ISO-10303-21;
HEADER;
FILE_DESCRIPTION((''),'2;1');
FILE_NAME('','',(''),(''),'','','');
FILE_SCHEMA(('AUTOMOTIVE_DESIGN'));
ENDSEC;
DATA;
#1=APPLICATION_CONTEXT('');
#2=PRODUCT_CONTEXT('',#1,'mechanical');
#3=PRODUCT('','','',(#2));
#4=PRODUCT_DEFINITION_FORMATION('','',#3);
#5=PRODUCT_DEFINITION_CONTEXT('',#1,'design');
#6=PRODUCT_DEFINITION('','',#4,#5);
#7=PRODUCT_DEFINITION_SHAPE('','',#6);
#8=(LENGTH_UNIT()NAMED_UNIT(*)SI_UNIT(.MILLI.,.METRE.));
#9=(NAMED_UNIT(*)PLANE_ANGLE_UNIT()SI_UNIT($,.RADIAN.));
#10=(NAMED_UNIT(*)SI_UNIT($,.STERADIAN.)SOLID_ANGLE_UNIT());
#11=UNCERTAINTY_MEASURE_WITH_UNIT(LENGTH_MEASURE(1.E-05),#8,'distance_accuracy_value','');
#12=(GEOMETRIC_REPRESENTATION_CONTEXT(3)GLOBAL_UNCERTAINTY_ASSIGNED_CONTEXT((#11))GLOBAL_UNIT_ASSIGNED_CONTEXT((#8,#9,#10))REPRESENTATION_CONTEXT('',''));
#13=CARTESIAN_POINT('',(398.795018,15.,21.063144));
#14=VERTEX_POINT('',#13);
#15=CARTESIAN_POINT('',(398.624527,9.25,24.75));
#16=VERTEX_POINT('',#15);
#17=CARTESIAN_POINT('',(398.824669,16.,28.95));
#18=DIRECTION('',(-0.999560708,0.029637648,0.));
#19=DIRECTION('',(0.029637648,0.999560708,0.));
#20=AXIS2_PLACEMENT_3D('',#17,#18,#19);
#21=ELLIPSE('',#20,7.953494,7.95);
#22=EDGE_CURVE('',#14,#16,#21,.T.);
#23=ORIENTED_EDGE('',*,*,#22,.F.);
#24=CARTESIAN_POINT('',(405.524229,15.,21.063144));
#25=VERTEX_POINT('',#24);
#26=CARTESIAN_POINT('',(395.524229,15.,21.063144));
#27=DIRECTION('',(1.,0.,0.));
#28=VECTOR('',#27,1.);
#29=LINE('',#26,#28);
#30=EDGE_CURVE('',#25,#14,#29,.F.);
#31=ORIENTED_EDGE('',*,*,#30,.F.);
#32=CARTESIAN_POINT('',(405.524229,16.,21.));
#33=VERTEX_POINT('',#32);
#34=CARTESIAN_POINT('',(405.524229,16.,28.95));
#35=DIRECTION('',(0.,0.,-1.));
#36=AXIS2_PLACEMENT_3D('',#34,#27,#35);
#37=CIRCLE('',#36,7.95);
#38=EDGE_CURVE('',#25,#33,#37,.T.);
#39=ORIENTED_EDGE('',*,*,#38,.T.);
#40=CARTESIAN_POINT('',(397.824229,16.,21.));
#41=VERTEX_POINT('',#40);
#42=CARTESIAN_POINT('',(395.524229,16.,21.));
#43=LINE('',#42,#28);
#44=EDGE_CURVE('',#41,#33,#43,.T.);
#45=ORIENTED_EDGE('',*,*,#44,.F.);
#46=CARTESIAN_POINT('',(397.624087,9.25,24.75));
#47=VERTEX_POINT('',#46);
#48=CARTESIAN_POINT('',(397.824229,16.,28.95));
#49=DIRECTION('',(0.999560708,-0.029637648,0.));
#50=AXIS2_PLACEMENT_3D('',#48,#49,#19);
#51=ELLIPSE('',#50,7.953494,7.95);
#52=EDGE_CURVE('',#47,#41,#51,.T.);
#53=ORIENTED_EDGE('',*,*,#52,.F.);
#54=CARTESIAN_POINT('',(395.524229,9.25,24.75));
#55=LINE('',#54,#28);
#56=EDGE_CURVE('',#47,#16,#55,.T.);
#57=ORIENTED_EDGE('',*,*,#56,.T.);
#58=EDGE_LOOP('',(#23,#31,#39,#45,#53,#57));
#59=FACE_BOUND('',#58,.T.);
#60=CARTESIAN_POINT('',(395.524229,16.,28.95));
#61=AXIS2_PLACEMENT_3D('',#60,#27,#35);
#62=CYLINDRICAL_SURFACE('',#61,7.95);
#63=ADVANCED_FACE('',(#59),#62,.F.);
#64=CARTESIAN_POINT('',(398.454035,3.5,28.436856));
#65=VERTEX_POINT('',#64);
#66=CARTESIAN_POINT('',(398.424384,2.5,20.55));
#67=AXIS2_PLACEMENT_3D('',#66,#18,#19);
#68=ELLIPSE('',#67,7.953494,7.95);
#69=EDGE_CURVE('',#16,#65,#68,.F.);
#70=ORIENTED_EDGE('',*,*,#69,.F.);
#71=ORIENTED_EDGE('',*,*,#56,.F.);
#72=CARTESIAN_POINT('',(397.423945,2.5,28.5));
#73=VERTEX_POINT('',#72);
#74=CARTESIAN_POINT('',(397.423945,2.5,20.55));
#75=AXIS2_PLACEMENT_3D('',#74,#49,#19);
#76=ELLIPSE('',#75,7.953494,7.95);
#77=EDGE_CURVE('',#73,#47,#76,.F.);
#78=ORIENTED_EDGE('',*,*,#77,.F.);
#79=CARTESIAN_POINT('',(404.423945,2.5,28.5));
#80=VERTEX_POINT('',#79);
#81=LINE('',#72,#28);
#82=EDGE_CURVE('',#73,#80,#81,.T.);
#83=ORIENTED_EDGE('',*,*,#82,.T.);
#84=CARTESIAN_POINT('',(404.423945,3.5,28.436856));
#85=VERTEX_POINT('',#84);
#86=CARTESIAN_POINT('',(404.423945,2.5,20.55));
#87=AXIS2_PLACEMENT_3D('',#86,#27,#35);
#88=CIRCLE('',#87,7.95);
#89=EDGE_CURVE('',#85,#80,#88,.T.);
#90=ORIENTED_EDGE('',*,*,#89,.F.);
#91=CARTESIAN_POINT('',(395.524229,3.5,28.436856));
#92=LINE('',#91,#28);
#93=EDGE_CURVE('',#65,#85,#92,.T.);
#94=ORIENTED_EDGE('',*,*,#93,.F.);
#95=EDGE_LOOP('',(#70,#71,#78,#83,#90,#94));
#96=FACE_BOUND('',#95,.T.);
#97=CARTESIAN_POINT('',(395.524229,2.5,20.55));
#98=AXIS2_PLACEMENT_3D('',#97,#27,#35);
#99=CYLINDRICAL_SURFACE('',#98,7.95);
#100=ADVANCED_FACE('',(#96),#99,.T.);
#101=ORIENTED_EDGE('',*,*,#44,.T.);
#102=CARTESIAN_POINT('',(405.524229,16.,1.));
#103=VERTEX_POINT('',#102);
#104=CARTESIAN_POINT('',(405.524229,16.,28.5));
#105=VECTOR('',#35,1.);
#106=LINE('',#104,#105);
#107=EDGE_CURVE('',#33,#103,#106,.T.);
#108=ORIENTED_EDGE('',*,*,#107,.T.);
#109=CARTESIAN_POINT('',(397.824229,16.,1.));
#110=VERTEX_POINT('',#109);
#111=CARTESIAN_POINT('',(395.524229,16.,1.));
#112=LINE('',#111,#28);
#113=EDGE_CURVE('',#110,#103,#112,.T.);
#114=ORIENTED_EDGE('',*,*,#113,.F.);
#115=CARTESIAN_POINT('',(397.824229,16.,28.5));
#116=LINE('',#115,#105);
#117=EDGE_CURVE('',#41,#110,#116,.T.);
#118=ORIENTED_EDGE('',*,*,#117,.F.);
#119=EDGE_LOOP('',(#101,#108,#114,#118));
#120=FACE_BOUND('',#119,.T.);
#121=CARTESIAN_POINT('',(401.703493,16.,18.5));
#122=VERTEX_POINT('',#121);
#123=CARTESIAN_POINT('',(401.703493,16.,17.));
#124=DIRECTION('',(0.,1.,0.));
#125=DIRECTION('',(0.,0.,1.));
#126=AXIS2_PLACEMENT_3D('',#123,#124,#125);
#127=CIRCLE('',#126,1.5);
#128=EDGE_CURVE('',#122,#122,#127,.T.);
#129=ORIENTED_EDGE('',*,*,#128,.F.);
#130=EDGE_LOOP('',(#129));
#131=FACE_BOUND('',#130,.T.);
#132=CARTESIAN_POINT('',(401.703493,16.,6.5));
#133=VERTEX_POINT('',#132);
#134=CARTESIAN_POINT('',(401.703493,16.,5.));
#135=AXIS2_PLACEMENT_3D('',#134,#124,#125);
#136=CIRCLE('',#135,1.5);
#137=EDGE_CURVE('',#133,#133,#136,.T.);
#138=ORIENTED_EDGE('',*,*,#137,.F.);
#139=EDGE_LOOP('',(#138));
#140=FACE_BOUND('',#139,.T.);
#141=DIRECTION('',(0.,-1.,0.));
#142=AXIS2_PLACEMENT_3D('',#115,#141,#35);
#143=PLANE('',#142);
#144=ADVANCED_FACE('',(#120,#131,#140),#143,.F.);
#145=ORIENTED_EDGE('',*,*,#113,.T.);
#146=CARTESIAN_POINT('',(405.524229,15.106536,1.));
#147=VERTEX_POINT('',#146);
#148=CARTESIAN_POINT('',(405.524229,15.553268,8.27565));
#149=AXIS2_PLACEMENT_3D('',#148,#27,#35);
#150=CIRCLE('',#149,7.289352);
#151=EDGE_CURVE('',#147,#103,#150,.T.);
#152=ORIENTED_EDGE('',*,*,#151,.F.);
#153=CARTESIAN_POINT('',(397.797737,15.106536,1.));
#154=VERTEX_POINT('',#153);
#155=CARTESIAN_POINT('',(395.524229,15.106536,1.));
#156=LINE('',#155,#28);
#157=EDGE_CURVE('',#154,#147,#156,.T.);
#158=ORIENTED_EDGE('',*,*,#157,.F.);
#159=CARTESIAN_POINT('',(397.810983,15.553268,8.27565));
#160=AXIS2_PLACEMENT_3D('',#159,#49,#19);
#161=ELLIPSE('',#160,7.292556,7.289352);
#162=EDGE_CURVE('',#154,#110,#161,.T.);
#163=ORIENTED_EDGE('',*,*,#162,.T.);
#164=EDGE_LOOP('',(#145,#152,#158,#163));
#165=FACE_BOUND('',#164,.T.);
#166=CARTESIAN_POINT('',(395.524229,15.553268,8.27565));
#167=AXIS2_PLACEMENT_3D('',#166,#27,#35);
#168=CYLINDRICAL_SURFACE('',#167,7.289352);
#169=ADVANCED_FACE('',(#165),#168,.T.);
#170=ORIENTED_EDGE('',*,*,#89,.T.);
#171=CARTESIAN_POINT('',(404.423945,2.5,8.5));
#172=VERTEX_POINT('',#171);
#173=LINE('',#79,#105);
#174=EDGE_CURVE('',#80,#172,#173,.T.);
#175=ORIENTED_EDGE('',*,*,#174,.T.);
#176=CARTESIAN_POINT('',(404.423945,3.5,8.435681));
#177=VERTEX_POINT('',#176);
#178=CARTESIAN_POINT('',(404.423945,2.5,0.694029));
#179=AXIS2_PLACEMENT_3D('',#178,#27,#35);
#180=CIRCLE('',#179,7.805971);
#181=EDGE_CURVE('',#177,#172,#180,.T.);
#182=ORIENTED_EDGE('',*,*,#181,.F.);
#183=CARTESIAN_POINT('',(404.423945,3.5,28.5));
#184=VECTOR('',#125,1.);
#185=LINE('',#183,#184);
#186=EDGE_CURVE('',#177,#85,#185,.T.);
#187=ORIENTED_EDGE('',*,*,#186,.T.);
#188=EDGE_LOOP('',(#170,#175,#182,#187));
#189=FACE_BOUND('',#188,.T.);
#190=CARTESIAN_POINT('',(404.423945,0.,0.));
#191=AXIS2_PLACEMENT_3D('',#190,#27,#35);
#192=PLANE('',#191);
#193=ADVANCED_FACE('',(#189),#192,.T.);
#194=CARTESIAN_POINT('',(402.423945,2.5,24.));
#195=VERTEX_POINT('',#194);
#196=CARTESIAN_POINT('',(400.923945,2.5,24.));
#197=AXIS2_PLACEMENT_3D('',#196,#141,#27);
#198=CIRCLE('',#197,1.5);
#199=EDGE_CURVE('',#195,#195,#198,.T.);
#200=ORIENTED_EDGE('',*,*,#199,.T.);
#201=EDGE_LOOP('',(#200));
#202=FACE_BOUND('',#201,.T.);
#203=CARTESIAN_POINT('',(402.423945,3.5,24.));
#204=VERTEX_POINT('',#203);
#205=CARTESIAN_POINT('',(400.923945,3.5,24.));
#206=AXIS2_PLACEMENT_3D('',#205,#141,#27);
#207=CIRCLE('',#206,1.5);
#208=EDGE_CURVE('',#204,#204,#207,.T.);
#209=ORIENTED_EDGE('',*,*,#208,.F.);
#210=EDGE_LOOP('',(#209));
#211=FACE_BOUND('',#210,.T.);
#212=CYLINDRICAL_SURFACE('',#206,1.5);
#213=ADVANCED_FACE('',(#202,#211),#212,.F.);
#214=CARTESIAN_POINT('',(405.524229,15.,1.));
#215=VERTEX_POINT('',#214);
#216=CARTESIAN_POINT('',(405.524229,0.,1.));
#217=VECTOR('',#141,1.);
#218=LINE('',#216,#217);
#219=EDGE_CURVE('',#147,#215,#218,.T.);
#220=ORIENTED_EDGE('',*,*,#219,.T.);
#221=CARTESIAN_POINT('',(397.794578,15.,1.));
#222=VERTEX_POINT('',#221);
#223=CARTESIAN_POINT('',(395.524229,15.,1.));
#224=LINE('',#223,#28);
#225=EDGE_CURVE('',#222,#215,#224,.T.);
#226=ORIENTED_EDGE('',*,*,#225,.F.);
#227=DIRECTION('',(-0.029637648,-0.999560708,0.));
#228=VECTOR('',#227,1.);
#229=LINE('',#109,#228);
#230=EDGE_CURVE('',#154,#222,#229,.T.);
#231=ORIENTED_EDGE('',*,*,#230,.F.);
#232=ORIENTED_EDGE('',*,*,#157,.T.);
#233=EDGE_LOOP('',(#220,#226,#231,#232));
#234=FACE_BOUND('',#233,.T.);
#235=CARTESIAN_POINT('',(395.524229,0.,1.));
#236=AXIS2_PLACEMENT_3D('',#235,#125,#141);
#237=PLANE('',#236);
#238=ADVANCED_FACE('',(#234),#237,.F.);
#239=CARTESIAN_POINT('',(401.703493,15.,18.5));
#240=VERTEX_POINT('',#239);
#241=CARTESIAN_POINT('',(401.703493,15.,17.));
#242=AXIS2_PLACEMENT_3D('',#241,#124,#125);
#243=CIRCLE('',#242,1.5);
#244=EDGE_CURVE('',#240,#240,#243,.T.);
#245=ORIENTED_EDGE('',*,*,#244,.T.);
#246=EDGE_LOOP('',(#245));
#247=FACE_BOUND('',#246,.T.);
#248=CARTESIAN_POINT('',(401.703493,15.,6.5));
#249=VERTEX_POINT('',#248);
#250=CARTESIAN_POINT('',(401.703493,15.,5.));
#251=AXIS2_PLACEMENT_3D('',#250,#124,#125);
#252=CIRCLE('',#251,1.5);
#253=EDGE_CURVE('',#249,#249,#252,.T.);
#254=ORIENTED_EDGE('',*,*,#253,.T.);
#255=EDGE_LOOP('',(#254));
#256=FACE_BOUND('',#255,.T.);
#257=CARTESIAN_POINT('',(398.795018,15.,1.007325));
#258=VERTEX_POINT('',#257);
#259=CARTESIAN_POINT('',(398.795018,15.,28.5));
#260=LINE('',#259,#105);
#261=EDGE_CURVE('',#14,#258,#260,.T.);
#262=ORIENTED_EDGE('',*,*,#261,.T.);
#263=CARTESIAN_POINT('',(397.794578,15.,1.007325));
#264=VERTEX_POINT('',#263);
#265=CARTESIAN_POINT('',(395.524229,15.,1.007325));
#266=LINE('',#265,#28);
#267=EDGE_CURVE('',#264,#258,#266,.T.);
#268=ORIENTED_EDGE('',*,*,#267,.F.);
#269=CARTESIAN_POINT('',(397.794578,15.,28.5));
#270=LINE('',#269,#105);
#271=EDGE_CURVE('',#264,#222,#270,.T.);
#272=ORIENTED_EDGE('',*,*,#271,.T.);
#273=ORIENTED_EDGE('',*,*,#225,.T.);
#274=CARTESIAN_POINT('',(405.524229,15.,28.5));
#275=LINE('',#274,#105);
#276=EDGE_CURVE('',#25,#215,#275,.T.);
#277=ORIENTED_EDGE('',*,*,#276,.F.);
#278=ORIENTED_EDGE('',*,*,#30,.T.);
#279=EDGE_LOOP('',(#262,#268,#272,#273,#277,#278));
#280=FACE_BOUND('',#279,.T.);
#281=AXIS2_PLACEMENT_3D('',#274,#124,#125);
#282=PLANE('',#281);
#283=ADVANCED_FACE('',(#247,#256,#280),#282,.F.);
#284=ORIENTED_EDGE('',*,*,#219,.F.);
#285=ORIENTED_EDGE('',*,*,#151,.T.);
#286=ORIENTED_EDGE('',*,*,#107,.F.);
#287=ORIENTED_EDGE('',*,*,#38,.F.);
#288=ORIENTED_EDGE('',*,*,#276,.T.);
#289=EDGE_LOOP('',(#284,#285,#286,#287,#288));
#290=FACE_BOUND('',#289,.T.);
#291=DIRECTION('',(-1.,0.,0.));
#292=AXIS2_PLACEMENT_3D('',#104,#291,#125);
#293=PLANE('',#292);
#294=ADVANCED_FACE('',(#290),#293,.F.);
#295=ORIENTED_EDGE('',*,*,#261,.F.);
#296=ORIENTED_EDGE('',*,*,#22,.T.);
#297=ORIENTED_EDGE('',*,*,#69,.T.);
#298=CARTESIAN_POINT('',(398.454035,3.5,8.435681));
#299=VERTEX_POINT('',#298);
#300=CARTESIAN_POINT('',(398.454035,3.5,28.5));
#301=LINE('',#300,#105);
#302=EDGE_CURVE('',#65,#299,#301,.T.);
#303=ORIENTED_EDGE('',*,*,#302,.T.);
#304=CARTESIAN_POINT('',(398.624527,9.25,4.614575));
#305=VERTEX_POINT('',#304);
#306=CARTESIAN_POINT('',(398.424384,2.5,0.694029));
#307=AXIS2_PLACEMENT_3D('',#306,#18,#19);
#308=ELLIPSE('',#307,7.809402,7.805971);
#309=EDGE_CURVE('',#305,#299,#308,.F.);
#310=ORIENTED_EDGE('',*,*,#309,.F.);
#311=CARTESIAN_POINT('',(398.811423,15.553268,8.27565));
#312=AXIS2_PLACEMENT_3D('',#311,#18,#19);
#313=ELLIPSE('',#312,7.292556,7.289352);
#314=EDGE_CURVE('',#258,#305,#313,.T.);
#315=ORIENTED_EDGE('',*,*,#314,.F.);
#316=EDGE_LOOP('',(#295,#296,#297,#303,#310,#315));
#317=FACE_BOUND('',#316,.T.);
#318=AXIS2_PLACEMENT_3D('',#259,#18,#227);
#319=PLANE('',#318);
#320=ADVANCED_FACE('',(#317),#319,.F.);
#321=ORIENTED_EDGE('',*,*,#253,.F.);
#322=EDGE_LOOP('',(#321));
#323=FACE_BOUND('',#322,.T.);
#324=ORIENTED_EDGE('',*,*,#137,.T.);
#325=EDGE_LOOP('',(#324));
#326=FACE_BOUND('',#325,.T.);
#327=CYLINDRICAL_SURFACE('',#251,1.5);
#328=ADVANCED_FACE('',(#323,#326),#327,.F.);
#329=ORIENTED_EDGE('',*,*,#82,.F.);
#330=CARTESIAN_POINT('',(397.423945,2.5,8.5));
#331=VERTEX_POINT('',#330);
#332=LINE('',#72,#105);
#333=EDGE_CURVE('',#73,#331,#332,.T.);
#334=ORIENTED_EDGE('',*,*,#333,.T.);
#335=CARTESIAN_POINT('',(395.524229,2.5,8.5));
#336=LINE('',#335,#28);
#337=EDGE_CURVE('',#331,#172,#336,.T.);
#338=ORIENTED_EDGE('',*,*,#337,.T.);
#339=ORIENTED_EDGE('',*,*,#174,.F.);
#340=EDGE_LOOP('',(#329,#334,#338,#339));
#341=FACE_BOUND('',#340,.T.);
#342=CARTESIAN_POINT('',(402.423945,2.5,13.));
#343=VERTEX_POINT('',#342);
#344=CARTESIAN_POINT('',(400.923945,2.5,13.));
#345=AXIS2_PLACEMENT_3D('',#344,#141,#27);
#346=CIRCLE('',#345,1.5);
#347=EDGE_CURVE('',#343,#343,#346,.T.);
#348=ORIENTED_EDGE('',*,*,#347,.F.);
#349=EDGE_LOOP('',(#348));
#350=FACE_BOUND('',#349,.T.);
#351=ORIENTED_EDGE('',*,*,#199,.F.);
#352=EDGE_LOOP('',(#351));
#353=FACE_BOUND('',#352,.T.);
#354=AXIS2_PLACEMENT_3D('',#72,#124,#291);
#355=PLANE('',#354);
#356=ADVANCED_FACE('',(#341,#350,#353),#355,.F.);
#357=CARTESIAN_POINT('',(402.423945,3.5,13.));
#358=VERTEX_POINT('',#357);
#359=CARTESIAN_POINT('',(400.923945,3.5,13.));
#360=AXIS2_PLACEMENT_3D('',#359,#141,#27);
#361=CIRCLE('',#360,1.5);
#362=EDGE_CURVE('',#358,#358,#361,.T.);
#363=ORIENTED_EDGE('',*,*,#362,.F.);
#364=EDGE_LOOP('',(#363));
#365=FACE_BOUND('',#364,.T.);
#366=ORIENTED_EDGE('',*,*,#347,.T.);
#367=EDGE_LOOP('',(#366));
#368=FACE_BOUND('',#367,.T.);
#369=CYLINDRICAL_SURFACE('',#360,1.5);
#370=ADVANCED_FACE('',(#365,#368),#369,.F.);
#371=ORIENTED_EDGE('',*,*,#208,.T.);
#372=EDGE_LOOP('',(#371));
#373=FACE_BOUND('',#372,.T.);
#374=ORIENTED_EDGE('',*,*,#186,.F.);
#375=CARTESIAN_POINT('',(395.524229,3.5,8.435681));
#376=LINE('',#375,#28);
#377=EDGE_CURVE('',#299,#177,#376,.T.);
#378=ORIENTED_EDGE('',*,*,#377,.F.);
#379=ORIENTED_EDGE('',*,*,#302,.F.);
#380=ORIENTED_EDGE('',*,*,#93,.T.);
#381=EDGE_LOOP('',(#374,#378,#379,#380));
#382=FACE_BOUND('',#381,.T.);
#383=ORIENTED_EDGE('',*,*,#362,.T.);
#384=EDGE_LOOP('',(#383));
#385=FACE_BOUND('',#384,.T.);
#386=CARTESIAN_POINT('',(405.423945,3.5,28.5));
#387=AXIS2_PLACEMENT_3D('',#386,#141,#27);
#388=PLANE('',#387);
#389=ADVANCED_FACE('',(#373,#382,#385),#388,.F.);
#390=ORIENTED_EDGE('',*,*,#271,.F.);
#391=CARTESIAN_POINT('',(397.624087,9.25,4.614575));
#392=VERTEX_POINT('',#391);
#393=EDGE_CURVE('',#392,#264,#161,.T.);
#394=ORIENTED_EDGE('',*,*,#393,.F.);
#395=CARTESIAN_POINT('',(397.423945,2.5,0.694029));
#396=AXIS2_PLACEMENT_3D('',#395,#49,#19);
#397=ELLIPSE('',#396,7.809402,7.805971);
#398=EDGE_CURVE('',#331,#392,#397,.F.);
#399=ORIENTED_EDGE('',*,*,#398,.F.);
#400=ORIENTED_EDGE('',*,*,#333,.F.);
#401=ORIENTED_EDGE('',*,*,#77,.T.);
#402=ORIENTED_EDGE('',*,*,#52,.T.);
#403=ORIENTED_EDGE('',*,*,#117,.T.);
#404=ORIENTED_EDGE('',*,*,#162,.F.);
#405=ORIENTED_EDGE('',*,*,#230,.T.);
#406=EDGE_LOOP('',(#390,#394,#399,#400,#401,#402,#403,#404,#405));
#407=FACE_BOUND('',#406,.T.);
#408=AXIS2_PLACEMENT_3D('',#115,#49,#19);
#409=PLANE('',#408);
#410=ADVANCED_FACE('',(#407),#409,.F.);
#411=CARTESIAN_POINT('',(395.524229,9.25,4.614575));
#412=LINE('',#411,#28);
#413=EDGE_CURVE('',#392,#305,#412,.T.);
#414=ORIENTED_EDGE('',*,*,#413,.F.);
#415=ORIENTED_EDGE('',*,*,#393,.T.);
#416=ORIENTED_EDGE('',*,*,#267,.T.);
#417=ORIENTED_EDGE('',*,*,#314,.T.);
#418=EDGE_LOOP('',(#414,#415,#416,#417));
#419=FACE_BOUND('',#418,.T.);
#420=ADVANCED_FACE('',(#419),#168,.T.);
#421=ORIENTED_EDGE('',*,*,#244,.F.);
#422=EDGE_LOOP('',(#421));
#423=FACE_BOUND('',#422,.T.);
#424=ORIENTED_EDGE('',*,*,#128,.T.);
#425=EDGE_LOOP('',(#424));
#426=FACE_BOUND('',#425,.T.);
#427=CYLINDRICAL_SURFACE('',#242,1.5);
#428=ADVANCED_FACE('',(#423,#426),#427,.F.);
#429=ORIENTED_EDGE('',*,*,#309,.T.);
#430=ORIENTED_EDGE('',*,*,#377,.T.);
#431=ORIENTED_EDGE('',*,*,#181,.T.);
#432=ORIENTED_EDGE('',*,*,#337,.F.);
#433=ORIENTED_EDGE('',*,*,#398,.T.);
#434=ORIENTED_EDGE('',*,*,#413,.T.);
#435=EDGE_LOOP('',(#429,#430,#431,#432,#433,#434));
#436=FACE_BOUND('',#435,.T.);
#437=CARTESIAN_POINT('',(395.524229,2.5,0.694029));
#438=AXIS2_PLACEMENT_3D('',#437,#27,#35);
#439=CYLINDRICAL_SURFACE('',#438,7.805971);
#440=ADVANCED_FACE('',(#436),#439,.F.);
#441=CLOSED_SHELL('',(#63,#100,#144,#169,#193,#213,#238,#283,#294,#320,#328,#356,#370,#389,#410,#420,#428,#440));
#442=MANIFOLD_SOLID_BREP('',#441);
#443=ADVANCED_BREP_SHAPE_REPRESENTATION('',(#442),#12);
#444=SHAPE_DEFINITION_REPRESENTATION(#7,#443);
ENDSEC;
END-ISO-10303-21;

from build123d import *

# Parameters (mm, degrees)
BOSS_EXTRUDE1_DEPTH = 28.5
SKETCH5_R           = 1.5
CUT_EXTRUDE4_DEPTH  = 1
SKETCH11_W          = 1
SKETCH11_H          = 12.5
CUT_EXTRUDE5_DEPTH  = 10
SKETCH12_W          = 20.843481987
SKETCH12_H          = 1.334220042
CUT_EXTRUDE7_DEPTH  = 1
SKETCH13_R          = 1.5
CUT_EXTRUDE8_DEPTH  = 1


with BuildPart() as part:
    # Sketch1 → Boss-Extrude1 (new body)
    with BuildSketch(Plane.XY):
        Polygon((397.82422908, 16), (397.423944987, 2.5), (405.423944987, 2.5), (405.423944987, 3.5), (398.454035145, 3.5), (398.795017891, 15), (405.52422908, 15), (405.52422908, 16), align=None)
    extrude(amount=BOSS_EXTRUDE1_DEPTH)

    # Sketch5 → Cut-Extrude4 (cut)
    with BuildSketch(Plane(origin=(0, 16, 0), x_dir=(1, 0, 0), z_dir=(0, 1, 0))):
        with Locations(Location((401.703493459, -5, 0), (0, 0, 270))):
            Circle(SKETCH5_R)
        with Locations(Location((401.703493459, -17, 0), (0, 0, 270))):
            Circle(SKETCH5_R)
    extrude(amount=-CUT_EXTRUDE4_DEPTH, mode=Mode.SUBTRACT)

    # Sketch11 → Cut-Extrude5 (cut)
    with BuildSketch(Plane(origin=(405.52422908, 0, 0), x_dir=(0, 0, -1), z_dir=(1, 0, 0))):
        with BuildLine():
            ThreePointArc((-24.75, 9.25), (-22.257567862, 11.708863545), (-21.063143846, 15))
            Line((-21.063143846, 15), (-28.5, 15))
            Line((-28.5, 15), (-28.5, 2.5))
            ThreePointArc((-28.5, 2.5), (-27.499550345, 6.360861303), (-24.75, 9.25))
        make_face()
        with BuildLine():
            ThreePointArc((-21.063143846, 15), (-21.015801665, 15.499004205), (-21, 16))
            Line((-21, 16), (-28.5, 16))
            Line((-28.5, 16), (-28.5, 15))
            Line((-28.5, 15), (-21.063143846, 15))
        make_face()
        with Locations((-0.5, 8.75)):
            Rectangle(SKETCH11_W, SKETCH11_H)
        with BuildLine():
            Line((0, 15), (0, 16))
            Line((0, 16), (-1, 16))
            ThreePointArc((-1, 16), (-0.986298018, 15.553268089), (-1, 15.106536177))
            Line((-1, 15.106536177), (-1, 15))
            Line((-1, 15), (0, 15))
        make_face()
        with BuildLine():
            Line((-1, 2.5), (-1, 15))
            Line((-1, 15), (-1.007325107, 15))
            ThreePointArc((-1.007325107, 15), (-2.100816605, 11.679499144), (-4.614575443, 9.25))
            ThreePointArc((-4.614575443, 9.25), (-7.459265697, 6.394195167), (-8.5, 2.5))
            Line((-8.5, 2.5), (-2.5, 2.5))
            Line((-2.5, 2.5), (-1, 2.5))
        make_face()
    extrude(amount=-CUT_EXTRUDE5_DEPTH, mode=Mode.SUBTRACT)

    # Sketch12 → Cut-Extrude7 (cut)
    with BuildSketch(Plane(origin=(405.423944987, 0, 0), x_dir=(0, 0, -1), z_dir=(1, 0, 0))):
        with Locations((-18.404841791, 2.845743799)):
            Rectangle(SKETCH12_W, SKETCH12_H)
    extrude(amount=-CUT_EXTRUDE7_DEPTH, mode=Mode.SUBTRACT)

    # Sketch13 → Cut-Extrude8 (cut)
    with BuildSketch(Plane.XZ.offset(-2.5)):
        with Locations((400.923944987, 24)):
            Circle(SKETCH13_R)
        with Locations((400.923944987, 13)):
            Circle(SKETCH13_R)
    extrude(amount=-CUT_EXTRUDE8_DEPTH, mode=Mode.SUBTRACT)


solid = part.part
